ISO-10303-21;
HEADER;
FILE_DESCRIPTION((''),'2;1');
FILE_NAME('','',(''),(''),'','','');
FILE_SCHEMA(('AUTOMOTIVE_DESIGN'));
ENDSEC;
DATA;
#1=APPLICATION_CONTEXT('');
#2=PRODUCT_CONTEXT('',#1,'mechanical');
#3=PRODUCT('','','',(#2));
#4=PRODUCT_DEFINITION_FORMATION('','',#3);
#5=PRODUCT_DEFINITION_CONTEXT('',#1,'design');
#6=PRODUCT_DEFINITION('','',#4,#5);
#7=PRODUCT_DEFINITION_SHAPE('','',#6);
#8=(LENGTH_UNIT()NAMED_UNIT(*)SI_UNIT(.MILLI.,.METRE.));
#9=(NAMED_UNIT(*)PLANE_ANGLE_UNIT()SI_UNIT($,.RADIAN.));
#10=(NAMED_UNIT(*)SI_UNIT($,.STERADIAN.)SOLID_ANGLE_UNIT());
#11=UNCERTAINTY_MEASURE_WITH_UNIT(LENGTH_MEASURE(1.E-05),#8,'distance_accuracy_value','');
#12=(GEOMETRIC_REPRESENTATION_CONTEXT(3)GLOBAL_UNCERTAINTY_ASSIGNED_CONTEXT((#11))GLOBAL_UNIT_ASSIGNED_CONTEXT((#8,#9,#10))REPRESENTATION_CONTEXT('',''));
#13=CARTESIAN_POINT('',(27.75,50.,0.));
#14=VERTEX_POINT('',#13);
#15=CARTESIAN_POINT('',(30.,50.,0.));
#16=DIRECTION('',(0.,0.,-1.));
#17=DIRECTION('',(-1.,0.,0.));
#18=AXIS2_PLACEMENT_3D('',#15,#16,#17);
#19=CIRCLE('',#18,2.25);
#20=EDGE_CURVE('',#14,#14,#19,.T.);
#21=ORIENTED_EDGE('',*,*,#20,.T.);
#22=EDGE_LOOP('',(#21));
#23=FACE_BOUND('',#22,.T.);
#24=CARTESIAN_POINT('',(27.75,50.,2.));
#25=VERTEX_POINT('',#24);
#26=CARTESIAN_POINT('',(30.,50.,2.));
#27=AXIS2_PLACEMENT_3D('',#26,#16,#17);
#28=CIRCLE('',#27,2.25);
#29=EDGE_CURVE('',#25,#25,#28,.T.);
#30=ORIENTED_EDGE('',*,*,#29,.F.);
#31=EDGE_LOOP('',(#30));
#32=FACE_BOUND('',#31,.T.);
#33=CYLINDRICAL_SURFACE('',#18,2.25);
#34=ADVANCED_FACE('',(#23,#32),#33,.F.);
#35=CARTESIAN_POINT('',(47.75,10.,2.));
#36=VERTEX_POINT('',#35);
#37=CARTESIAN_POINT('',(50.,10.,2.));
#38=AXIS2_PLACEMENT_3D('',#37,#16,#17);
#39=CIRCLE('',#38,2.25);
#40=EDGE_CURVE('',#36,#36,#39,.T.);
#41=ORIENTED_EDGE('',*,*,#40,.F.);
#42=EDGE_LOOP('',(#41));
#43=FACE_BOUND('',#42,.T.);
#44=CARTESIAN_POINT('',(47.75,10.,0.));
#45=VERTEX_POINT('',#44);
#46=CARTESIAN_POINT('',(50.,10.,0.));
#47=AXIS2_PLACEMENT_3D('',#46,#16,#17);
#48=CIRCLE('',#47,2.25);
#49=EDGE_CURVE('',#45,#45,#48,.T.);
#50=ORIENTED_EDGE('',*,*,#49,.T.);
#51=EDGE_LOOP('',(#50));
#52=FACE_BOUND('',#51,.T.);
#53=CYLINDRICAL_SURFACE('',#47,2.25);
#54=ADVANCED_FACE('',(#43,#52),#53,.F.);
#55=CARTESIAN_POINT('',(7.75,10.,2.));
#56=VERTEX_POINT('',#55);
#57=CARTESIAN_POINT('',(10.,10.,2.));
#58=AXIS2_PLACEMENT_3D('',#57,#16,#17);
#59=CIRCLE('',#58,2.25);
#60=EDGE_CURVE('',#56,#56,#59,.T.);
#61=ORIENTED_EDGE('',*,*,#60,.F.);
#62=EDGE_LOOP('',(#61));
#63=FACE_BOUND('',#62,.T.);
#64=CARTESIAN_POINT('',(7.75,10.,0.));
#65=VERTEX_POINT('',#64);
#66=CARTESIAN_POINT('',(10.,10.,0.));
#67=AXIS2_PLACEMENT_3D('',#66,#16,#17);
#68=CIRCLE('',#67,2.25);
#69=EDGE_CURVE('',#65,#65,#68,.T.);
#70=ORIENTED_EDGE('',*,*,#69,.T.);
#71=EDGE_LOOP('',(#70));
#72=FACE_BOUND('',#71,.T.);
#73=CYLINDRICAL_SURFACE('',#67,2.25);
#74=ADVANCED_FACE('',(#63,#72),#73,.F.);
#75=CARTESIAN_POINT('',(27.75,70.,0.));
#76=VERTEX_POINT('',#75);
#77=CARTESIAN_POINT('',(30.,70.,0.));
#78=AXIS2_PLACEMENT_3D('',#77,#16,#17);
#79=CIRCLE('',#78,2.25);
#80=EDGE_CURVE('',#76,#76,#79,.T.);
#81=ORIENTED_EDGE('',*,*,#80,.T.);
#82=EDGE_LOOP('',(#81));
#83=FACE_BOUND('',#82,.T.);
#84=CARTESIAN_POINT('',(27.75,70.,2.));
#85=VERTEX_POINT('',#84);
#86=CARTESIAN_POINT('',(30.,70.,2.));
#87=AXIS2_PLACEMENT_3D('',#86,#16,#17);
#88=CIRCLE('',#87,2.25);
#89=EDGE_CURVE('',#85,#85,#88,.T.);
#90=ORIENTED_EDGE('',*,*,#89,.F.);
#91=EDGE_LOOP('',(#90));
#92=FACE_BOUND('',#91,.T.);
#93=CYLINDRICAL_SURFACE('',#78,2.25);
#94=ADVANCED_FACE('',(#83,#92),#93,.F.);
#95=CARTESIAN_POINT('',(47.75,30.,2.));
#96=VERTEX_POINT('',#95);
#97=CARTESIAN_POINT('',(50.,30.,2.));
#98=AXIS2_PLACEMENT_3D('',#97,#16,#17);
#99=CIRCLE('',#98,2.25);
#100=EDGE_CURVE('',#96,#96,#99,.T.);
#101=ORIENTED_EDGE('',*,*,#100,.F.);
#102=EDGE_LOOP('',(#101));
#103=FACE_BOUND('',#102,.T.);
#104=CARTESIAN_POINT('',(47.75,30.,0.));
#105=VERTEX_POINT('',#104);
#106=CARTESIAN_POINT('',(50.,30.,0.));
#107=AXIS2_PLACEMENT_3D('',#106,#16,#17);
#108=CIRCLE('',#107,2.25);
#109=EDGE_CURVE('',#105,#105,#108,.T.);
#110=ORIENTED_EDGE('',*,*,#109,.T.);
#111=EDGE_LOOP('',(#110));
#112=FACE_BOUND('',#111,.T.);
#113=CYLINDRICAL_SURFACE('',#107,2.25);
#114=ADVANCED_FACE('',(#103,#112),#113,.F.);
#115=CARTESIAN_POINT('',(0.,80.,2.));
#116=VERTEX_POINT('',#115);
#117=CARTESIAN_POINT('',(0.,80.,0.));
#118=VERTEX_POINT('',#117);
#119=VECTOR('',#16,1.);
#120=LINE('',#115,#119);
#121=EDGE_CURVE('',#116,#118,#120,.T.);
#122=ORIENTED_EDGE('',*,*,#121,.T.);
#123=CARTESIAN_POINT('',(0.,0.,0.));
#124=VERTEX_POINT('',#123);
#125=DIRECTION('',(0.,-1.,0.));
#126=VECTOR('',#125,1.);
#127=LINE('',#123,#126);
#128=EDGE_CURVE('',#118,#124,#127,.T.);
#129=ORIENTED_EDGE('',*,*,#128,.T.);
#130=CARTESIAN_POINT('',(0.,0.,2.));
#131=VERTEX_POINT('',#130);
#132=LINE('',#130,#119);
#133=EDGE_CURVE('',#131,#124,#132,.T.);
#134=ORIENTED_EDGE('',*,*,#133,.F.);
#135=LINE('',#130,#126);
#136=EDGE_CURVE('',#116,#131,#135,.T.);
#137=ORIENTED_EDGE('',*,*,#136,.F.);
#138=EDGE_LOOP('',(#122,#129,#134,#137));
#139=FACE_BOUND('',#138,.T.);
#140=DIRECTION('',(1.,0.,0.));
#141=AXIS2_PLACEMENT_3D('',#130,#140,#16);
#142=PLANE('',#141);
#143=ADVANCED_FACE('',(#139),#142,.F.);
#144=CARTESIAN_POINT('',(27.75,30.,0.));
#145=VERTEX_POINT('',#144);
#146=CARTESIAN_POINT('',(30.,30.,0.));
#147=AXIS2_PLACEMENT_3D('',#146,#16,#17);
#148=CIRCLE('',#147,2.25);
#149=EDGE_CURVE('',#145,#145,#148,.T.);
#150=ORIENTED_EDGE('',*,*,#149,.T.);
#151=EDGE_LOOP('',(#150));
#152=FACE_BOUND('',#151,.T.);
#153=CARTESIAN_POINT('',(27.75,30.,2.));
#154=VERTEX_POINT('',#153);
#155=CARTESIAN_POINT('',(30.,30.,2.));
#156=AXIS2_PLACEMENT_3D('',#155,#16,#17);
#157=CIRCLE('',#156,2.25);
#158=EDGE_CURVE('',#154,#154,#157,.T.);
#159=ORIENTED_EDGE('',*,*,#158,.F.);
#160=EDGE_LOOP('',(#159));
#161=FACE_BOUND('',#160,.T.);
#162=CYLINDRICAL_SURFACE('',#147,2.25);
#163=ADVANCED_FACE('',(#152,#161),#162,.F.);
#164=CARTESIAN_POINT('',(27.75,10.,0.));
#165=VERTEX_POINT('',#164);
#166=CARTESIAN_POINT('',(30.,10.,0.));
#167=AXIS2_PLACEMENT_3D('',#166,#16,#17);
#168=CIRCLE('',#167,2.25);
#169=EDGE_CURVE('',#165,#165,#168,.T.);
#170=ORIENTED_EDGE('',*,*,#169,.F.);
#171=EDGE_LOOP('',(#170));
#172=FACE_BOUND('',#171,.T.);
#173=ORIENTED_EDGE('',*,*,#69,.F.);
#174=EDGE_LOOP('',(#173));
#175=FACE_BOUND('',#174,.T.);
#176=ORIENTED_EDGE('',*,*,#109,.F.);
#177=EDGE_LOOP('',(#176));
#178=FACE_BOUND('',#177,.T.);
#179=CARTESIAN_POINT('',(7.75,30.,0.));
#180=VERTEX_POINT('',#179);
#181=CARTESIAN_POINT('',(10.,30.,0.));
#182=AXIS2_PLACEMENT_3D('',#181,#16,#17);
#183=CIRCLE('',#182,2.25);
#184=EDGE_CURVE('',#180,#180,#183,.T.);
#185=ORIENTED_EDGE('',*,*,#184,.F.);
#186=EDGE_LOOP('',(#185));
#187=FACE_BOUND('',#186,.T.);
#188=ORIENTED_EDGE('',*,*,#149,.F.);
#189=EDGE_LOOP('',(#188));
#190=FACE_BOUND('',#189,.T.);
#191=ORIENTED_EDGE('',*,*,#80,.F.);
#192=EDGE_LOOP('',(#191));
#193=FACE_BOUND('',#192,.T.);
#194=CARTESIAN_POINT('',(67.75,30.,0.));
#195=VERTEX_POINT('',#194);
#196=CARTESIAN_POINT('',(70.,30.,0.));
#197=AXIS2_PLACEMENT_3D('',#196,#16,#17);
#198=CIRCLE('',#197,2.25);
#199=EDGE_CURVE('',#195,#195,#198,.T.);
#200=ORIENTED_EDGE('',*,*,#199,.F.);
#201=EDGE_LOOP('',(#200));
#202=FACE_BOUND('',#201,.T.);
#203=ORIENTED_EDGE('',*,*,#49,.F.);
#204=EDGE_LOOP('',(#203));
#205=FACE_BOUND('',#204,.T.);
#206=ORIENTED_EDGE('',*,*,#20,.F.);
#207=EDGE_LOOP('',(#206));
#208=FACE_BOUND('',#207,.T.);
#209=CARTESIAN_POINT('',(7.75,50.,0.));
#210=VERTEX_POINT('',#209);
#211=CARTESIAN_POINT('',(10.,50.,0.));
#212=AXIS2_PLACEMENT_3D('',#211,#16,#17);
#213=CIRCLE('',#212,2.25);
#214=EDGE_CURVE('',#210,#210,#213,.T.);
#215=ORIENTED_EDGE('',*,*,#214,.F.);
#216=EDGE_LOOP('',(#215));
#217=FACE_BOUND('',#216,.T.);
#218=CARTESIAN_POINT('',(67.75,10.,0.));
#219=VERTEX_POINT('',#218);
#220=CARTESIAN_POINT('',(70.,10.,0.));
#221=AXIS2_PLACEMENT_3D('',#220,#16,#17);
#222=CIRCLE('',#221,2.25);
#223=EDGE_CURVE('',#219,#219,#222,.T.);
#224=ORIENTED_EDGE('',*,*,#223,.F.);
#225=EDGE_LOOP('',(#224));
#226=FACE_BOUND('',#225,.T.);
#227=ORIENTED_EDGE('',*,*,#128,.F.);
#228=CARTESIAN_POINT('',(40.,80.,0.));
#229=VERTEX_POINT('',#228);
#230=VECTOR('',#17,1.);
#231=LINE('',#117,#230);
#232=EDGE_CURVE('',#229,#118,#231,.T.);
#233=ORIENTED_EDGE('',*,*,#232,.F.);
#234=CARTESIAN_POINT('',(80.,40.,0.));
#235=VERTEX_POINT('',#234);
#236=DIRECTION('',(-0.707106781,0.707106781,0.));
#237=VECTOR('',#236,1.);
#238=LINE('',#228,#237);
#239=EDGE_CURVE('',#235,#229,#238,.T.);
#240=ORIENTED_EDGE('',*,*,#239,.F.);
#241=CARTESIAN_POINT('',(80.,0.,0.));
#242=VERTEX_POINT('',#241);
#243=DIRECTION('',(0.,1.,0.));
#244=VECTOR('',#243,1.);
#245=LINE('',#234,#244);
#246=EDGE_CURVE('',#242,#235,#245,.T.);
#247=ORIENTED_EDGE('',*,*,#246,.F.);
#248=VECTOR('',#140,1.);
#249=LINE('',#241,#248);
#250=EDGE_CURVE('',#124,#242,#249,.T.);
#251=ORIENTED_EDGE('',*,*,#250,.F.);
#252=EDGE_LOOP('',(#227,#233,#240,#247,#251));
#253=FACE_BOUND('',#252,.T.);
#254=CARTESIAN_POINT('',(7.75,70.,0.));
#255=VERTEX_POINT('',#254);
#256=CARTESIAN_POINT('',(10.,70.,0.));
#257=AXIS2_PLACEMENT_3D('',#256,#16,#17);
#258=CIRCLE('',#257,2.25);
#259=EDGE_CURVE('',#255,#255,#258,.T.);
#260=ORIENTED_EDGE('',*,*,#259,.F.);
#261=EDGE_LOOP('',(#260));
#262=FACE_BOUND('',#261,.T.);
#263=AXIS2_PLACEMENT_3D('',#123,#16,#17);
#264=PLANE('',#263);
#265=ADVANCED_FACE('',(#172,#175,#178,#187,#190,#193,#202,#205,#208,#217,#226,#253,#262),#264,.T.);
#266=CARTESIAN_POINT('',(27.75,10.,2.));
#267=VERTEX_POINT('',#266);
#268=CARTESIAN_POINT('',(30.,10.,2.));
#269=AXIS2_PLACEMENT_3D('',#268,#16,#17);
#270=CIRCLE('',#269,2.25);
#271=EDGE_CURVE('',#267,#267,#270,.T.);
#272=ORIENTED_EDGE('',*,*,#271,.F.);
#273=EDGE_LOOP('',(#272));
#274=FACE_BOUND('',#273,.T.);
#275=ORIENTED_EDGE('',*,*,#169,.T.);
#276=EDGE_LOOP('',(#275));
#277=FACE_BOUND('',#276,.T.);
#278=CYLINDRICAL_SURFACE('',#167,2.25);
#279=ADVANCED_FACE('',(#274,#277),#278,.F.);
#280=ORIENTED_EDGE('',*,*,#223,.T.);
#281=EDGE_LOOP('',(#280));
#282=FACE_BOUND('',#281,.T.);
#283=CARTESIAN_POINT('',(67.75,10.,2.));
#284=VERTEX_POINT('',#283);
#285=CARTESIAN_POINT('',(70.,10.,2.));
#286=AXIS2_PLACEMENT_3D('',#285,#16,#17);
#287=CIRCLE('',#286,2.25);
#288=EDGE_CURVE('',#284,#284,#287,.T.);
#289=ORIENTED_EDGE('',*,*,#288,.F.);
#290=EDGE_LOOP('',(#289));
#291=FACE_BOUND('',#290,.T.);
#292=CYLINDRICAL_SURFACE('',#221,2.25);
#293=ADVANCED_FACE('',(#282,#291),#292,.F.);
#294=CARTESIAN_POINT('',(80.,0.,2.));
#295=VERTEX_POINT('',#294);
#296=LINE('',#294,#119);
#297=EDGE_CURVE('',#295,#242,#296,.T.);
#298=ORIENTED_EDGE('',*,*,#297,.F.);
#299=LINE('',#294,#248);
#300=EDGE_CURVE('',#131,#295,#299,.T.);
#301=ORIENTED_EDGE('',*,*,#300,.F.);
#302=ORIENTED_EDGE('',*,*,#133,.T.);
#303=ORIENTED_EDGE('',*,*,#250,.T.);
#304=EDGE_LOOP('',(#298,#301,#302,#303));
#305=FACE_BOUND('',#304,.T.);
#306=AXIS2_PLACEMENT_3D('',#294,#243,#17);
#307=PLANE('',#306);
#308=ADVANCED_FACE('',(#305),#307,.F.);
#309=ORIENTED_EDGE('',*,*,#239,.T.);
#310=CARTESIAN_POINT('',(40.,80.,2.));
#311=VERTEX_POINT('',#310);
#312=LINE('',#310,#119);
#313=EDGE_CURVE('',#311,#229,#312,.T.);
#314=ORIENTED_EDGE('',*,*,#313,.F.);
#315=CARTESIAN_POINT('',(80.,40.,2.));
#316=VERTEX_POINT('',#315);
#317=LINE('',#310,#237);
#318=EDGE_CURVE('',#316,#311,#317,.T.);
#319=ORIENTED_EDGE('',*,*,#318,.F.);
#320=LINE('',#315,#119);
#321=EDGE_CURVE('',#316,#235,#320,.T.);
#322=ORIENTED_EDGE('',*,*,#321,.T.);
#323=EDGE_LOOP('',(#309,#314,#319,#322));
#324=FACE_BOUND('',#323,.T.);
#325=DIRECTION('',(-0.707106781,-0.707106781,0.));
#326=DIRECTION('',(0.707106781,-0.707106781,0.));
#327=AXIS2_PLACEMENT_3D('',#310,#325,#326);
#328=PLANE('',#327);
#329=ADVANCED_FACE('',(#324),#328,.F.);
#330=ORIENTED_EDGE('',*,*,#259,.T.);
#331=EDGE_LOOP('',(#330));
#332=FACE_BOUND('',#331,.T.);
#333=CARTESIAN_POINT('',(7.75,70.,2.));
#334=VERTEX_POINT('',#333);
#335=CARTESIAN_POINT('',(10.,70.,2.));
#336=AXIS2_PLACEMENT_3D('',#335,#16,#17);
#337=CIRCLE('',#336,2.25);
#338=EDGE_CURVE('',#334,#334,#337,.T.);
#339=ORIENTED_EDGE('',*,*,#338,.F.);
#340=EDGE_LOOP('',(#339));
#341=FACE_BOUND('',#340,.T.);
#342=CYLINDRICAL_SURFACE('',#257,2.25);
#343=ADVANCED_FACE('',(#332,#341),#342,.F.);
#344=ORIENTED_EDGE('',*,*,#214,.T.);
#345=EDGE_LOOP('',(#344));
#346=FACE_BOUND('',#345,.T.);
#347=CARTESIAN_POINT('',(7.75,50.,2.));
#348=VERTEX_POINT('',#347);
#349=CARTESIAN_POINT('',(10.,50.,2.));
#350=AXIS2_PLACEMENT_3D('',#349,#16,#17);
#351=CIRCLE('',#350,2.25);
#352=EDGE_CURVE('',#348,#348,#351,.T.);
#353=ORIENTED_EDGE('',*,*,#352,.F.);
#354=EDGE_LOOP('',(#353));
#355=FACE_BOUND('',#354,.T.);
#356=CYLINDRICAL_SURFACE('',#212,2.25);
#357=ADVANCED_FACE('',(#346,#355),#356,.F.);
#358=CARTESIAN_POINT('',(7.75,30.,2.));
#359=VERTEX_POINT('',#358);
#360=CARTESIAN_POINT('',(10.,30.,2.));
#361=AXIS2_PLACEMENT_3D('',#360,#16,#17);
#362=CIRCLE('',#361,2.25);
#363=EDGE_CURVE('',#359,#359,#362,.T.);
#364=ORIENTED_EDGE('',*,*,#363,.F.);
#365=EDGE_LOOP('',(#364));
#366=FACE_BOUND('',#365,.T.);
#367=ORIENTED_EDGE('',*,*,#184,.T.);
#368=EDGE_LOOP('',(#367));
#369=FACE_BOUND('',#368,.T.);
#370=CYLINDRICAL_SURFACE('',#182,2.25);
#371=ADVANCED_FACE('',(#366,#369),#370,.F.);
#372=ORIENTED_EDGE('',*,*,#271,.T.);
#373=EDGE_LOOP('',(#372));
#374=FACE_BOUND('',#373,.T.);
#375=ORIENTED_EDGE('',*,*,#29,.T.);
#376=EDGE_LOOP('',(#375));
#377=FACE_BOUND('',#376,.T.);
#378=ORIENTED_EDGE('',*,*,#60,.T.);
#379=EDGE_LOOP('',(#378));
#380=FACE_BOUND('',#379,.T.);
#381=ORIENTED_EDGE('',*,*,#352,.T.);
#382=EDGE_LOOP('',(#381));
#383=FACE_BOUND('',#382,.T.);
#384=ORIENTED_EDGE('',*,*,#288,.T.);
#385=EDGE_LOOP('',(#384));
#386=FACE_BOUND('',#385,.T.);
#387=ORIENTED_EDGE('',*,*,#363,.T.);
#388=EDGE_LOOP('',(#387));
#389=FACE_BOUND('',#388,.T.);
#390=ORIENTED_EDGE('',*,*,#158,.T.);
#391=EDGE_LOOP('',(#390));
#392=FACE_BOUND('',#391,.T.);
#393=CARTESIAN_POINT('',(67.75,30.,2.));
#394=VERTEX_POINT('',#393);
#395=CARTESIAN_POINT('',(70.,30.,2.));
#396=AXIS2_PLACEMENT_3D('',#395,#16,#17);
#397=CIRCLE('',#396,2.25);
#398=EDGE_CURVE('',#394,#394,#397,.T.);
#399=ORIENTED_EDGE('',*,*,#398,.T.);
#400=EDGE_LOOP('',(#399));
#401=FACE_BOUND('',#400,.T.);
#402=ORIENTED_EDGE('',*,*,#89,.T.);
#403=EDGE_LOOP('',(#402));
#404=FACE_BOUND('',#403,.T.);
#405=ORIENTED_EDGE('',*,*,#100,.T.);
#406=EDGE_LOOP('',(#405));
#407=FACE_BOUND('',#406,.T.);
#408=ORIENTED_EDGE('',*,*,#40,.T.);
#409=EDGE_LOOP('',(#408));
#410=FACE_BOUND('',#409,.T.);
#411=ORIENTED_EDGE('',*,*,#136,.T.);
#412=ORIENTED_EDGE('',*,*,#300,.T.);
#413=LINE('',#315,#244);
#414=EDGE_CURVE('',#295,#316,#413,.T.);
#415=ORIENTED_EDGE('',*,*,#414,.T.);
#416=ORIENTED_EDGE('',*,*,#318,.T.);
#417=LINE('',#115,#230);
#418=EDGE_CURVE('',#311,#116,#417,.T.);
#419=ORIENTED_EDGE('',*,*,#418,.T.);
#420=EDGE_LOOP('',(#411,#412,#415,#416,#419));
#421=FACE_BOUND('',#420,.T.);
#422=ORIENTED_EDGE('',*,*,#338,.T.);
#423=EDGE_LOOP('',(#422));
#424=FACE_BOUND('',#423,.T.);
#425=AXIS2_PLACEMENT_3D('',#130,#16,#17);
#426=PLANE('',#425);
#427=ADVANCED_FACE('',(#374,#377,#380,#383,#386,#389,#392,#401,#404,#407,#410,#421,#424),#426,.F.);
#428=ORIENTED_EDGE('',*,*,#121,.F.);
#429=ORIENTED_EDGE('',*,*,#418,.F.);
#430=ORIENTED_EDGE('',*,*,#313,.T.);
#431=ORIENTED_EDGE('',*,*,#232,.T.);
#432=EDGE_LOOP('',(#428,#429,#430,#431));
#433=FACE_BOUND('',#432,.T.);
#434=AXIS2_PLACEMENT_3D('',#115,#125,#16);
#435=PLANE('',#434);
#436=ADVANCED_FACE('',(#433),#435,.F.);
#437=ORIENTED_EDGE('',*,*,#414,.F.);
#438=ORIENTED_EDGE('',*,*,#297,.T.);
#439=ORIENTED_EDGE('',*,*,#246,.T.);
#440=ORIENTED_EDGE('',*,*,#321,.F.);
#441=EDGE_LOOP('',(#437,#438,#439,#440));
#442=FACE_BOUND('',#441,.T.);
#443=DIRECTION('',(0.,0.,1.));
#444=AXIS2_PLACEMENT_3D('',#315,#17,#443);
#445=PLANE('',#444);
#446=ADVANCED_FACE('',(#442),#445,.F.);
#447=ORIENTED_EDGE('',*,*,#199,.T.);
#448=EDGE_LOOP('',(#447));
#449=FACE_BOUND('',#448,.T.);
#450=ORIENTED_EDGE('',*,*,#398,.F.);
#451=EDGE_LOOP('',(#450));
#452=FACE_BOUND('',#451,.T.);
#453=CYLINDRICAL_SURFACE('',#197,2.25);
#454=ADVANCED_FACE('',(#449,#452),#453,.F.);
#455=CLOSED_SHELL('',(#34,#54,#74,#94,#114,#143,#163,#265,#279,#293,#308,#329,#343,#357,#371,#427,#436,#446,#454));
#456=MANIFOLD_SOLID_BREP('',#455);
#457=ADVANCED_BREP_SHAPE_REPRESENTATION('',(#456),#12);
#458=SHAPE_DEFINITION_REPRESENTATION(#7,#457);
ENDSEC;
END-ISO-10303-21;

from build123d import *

# Parameters (mm, degrees)
EXTRUDE_1_DEPTH       = 2
HOLE_WIZARD_M41_D     = 4.5
HOLE_WIZARD_M41_DEPTH = 5
HOLE_WIZARD_M41_TIP   = 1.351936393


with BuildPart() as part:
    # Эскиз1 → Бобышка-Вытянуть1 (new body)
    with BuildSketch(Plane.XY):
        Polygon((0, 0), (0, 80), (40, 80), (80, 40), (80, 0), align=None)
    extrude(amount=EXTRUDE_1_DEPTH)

    # Отверстие с зазором M41
    with Locations(Plane(origin=(0, 0, 0), x_dir=(-1, 0, 0), z_dir=(0, 0, -1))):
        with Locations((-70, 10), (-30, 50), (-50, 10), (-10, 50), (-70, 30), (-30, 70), (-50, 30), (-10, 70), (-30, 10), (-10, 10), (-30, 30), (-10, 30)):
            Hole(HOLE_WIZARD_M41_D / 2, depth=HOLE_WIZARD_M41_DEPTH)
            with Locations((0, 0, -(HOLE_WIZARD_M41_DEPTH + HOLE_WIZARD_M41_TIP / 2))):  # 118° drill point
                Cone(0, HOLE_WIZARD_M41_D / 2, HOLE_WIZARD_M41_TIP, mode=Mode.SUBTRACT)


solid = part.part
